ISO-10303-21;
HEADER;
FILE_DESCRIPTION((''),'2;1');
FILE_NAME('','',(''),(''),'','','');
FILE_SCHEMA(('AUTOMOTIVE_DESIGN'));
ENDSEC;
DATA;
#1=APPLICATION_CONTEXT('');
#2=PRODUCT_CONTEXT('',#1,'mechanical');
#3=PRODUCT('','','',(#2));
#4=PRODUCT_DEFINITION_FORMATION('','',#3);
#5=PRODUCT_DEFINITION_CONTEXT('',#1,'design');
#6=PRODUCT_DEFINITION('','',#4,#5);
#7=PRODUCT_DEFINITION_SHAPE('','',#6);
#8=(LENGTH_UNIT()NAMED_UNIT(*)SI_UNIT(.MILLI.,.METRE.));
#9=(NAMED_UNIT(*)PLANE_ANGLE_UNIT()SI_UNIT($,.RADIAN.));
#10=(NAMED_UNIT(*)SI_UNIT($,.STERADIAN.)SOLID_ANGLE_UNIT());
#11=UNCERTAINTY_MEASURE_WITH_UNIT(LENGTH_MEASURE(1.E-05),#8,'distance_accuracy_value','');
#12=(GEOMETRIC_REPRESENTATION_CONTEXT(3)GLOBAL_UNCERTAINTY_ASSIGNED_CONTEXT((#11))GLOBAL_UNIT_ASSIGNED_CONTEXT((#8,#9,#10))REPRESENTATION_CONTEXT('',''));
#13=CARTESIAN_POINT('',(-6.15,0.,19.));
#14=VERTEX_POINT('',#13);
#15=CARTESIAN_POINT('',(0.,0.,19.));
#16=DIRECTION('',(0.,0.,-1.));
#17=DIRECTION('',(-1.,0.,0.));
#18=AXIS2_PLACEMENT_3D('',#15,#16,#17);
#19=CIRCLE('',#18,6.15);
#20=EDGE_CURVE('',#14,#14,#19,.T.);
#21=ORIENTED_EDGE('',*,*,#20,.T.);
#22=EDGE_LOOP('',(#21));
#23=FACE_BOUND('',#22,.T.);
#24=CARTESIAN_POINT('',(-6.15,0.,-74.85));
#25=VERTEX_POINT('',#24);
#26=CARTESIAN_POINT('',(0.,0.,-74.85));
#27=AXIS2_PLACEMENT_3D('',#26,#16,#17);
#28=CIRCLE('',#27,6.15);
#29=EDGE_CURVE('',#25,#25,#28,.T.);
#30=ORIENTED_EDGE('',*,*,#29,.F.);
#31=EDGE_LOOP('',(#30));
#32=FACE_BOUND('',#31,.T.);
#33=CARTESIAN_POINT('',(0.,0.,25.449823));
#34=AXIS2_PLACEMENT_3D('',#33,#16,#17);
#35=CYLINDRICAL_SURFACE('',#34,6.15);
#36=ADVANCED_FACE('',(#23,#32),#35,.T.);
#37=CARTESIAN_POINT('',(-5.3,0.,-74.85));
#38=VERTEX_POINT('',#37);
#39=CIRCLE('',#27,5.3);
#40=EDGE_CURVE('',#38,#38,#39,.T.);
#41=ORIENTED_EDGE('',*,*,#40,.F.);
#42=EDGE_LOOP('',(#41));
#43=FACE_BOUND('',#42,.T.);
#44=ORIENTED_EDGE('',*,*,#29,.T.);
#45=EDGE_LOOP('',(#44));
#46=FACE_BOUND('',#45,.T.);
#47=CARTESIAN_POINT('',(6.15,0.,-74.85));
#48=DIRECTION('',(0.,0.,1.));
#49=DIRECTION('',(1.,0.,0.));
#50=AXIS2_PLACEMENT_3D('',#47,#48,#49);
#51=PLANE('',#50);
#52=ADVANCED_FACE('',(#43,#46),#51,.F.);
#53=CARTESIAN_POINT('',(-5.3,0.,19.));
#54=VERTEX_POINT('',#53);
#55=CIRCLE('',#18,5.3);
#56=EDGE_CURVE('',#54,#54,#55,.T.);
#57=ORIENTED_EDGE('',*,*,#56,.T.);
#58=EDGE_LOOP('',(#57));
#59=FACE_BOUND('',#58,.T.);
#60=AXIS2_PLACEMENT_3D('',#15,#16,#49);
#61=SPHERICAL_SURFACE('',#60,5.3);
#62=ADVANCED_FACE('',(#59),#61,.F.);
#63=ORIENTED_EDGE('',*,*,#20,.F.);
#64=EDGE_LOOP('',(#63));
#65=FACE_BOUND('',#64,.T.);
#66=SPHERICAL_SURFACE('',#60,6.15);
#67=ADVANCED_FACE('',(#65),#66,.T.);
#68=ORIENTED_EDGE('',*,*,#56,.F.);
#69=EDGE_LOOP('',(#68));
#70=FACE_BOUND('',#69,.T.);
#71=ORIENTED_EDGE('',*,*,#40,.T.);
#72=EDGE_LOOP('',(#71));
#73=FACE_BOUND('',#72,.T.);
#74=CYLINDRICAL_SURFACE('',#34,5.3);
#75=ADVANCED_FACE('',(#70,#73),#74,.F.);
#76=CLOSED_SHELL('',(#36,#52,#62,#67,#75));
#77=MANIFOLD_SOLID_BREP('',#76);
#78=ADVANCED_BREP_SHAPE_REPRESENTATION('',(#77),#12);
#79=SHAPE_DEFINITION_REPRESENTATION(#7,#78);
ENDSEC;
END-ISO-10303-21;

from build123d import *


with BuildPart() as part:
    # Croquis1 → Revolución1 (revolve)
    with BuildSketch(Plane(origin=(0, 0, 0), x_dir=(1, 0, 0), z_dir=(0, 1, 0)), mode=Mode.PRIVATE) as revoluci_n1_sk:
        with BuildLine():
            Line((0, -25.15), (0, -24.3))
            ThreePointArc((0, -24.3), (3.74766594, -22.74766594), (5.3, -19))
            Line((5.3, -19), (5.3, 74.85))
            Line((5.3, 74.85), (6.15, 74.85))
            Line((6.15, 74.85), (6.15, -19))
            ThreePointArc((6.15, -19), (4.348706704, -23.348706704), (0, -25.15))
        make_face()
    revolve(revoluci_n1_sk.sketch.rotate(Axis((0, 0, 25.449822901), (0, 0, -1)), 180), axis=Axis((0, 0, 25.449822901), (0, 0, -1)))


solid = part.part
